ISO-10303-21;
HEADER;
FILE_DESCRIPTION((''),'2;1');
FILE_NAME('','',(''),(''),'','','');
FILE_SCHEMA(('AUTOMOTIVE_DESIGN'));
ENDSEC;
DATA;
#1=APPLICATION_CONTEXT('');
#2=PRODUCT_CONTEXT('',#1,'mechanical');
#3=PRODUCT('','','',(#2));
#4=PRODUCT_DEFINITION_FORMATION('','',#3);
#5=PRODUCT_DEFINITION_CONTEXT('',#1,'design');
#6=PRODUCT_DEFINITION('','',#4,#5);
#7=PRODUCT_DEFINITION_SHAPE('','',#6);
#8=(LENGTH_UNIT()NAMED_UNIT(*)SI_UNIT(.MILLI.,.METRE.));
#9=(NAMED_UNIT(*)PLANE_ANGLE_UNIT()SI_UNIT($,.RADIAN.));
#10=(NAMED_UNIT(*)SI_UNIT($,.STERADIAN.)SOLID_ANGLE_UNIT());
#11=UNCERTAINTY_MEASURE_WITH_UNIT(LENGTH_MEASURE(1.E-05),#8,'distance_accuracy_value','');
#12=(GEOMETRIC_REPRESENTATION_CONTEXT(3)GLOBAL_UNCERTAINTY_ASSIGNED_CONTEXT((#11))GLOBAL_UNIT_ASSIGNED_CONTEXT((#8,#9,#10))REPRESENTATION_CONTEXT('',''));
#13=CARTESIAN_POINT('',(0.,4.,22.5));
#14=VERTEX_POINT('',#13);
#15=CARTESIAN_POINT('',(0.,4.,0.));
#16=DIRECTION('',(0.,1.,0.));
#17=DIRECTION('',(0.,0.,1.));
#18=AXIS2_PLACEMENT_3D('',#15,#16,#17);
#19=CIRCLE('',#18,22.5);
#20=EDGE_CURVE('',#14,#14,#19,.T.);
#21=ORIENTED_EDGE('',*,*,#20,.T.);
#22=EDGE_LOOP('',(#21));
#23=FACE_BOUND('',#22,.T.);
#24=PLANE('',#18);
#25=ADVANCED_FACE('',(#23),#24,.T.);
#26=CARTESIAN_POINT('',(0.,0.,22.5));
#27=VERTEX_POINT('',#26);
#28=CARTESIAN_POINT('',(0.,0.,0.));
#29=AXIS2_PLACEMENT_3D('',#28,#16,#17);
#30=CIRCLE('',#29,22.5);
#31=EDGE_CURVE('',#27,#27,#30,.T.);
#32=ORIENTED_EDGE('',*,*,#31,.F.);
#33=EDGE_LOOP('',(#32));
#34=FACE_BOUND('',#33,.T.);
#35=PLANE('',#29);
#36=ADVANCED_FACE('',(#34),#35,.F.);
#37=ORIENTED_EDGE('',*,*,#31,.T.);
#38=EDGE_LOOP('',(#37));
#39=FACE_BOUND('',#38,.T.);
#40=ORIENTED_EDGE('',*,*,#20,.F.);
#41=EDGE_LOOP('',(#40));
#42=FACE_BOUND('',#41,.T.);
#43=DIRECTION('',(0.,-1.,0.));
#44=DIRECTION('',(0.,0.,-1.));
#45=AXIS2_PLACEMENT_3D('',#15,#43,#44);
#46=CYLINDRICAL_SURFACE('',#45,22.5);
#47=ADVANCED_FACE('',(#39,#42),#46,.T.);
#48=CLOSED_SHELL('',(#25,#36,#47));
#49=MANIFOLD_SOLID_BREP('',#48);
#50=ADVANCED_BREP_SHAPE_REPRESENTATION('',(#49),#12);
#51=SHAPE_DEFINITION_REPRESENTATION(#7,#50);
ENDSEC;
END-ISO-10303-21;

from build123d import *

# Parameters (mm, degrees)
CROQUIS1_R              = 22.5
SALIENTE_EXTRUIR1_DEPTH = 4


with BuildPart() as part:
    # Croquis1 → Saliente-Extruir1 (new body)
    with BuildSketch(Plane(origin=(0, 0, 0), x_dir=(1, 0, 0), z_dir=(0, 1, 0))):
        Circle(CROQUIS1_R)
    extrude(amount=SALIENTE_EXTRUIR1_DEPTH)


solid = part.part
